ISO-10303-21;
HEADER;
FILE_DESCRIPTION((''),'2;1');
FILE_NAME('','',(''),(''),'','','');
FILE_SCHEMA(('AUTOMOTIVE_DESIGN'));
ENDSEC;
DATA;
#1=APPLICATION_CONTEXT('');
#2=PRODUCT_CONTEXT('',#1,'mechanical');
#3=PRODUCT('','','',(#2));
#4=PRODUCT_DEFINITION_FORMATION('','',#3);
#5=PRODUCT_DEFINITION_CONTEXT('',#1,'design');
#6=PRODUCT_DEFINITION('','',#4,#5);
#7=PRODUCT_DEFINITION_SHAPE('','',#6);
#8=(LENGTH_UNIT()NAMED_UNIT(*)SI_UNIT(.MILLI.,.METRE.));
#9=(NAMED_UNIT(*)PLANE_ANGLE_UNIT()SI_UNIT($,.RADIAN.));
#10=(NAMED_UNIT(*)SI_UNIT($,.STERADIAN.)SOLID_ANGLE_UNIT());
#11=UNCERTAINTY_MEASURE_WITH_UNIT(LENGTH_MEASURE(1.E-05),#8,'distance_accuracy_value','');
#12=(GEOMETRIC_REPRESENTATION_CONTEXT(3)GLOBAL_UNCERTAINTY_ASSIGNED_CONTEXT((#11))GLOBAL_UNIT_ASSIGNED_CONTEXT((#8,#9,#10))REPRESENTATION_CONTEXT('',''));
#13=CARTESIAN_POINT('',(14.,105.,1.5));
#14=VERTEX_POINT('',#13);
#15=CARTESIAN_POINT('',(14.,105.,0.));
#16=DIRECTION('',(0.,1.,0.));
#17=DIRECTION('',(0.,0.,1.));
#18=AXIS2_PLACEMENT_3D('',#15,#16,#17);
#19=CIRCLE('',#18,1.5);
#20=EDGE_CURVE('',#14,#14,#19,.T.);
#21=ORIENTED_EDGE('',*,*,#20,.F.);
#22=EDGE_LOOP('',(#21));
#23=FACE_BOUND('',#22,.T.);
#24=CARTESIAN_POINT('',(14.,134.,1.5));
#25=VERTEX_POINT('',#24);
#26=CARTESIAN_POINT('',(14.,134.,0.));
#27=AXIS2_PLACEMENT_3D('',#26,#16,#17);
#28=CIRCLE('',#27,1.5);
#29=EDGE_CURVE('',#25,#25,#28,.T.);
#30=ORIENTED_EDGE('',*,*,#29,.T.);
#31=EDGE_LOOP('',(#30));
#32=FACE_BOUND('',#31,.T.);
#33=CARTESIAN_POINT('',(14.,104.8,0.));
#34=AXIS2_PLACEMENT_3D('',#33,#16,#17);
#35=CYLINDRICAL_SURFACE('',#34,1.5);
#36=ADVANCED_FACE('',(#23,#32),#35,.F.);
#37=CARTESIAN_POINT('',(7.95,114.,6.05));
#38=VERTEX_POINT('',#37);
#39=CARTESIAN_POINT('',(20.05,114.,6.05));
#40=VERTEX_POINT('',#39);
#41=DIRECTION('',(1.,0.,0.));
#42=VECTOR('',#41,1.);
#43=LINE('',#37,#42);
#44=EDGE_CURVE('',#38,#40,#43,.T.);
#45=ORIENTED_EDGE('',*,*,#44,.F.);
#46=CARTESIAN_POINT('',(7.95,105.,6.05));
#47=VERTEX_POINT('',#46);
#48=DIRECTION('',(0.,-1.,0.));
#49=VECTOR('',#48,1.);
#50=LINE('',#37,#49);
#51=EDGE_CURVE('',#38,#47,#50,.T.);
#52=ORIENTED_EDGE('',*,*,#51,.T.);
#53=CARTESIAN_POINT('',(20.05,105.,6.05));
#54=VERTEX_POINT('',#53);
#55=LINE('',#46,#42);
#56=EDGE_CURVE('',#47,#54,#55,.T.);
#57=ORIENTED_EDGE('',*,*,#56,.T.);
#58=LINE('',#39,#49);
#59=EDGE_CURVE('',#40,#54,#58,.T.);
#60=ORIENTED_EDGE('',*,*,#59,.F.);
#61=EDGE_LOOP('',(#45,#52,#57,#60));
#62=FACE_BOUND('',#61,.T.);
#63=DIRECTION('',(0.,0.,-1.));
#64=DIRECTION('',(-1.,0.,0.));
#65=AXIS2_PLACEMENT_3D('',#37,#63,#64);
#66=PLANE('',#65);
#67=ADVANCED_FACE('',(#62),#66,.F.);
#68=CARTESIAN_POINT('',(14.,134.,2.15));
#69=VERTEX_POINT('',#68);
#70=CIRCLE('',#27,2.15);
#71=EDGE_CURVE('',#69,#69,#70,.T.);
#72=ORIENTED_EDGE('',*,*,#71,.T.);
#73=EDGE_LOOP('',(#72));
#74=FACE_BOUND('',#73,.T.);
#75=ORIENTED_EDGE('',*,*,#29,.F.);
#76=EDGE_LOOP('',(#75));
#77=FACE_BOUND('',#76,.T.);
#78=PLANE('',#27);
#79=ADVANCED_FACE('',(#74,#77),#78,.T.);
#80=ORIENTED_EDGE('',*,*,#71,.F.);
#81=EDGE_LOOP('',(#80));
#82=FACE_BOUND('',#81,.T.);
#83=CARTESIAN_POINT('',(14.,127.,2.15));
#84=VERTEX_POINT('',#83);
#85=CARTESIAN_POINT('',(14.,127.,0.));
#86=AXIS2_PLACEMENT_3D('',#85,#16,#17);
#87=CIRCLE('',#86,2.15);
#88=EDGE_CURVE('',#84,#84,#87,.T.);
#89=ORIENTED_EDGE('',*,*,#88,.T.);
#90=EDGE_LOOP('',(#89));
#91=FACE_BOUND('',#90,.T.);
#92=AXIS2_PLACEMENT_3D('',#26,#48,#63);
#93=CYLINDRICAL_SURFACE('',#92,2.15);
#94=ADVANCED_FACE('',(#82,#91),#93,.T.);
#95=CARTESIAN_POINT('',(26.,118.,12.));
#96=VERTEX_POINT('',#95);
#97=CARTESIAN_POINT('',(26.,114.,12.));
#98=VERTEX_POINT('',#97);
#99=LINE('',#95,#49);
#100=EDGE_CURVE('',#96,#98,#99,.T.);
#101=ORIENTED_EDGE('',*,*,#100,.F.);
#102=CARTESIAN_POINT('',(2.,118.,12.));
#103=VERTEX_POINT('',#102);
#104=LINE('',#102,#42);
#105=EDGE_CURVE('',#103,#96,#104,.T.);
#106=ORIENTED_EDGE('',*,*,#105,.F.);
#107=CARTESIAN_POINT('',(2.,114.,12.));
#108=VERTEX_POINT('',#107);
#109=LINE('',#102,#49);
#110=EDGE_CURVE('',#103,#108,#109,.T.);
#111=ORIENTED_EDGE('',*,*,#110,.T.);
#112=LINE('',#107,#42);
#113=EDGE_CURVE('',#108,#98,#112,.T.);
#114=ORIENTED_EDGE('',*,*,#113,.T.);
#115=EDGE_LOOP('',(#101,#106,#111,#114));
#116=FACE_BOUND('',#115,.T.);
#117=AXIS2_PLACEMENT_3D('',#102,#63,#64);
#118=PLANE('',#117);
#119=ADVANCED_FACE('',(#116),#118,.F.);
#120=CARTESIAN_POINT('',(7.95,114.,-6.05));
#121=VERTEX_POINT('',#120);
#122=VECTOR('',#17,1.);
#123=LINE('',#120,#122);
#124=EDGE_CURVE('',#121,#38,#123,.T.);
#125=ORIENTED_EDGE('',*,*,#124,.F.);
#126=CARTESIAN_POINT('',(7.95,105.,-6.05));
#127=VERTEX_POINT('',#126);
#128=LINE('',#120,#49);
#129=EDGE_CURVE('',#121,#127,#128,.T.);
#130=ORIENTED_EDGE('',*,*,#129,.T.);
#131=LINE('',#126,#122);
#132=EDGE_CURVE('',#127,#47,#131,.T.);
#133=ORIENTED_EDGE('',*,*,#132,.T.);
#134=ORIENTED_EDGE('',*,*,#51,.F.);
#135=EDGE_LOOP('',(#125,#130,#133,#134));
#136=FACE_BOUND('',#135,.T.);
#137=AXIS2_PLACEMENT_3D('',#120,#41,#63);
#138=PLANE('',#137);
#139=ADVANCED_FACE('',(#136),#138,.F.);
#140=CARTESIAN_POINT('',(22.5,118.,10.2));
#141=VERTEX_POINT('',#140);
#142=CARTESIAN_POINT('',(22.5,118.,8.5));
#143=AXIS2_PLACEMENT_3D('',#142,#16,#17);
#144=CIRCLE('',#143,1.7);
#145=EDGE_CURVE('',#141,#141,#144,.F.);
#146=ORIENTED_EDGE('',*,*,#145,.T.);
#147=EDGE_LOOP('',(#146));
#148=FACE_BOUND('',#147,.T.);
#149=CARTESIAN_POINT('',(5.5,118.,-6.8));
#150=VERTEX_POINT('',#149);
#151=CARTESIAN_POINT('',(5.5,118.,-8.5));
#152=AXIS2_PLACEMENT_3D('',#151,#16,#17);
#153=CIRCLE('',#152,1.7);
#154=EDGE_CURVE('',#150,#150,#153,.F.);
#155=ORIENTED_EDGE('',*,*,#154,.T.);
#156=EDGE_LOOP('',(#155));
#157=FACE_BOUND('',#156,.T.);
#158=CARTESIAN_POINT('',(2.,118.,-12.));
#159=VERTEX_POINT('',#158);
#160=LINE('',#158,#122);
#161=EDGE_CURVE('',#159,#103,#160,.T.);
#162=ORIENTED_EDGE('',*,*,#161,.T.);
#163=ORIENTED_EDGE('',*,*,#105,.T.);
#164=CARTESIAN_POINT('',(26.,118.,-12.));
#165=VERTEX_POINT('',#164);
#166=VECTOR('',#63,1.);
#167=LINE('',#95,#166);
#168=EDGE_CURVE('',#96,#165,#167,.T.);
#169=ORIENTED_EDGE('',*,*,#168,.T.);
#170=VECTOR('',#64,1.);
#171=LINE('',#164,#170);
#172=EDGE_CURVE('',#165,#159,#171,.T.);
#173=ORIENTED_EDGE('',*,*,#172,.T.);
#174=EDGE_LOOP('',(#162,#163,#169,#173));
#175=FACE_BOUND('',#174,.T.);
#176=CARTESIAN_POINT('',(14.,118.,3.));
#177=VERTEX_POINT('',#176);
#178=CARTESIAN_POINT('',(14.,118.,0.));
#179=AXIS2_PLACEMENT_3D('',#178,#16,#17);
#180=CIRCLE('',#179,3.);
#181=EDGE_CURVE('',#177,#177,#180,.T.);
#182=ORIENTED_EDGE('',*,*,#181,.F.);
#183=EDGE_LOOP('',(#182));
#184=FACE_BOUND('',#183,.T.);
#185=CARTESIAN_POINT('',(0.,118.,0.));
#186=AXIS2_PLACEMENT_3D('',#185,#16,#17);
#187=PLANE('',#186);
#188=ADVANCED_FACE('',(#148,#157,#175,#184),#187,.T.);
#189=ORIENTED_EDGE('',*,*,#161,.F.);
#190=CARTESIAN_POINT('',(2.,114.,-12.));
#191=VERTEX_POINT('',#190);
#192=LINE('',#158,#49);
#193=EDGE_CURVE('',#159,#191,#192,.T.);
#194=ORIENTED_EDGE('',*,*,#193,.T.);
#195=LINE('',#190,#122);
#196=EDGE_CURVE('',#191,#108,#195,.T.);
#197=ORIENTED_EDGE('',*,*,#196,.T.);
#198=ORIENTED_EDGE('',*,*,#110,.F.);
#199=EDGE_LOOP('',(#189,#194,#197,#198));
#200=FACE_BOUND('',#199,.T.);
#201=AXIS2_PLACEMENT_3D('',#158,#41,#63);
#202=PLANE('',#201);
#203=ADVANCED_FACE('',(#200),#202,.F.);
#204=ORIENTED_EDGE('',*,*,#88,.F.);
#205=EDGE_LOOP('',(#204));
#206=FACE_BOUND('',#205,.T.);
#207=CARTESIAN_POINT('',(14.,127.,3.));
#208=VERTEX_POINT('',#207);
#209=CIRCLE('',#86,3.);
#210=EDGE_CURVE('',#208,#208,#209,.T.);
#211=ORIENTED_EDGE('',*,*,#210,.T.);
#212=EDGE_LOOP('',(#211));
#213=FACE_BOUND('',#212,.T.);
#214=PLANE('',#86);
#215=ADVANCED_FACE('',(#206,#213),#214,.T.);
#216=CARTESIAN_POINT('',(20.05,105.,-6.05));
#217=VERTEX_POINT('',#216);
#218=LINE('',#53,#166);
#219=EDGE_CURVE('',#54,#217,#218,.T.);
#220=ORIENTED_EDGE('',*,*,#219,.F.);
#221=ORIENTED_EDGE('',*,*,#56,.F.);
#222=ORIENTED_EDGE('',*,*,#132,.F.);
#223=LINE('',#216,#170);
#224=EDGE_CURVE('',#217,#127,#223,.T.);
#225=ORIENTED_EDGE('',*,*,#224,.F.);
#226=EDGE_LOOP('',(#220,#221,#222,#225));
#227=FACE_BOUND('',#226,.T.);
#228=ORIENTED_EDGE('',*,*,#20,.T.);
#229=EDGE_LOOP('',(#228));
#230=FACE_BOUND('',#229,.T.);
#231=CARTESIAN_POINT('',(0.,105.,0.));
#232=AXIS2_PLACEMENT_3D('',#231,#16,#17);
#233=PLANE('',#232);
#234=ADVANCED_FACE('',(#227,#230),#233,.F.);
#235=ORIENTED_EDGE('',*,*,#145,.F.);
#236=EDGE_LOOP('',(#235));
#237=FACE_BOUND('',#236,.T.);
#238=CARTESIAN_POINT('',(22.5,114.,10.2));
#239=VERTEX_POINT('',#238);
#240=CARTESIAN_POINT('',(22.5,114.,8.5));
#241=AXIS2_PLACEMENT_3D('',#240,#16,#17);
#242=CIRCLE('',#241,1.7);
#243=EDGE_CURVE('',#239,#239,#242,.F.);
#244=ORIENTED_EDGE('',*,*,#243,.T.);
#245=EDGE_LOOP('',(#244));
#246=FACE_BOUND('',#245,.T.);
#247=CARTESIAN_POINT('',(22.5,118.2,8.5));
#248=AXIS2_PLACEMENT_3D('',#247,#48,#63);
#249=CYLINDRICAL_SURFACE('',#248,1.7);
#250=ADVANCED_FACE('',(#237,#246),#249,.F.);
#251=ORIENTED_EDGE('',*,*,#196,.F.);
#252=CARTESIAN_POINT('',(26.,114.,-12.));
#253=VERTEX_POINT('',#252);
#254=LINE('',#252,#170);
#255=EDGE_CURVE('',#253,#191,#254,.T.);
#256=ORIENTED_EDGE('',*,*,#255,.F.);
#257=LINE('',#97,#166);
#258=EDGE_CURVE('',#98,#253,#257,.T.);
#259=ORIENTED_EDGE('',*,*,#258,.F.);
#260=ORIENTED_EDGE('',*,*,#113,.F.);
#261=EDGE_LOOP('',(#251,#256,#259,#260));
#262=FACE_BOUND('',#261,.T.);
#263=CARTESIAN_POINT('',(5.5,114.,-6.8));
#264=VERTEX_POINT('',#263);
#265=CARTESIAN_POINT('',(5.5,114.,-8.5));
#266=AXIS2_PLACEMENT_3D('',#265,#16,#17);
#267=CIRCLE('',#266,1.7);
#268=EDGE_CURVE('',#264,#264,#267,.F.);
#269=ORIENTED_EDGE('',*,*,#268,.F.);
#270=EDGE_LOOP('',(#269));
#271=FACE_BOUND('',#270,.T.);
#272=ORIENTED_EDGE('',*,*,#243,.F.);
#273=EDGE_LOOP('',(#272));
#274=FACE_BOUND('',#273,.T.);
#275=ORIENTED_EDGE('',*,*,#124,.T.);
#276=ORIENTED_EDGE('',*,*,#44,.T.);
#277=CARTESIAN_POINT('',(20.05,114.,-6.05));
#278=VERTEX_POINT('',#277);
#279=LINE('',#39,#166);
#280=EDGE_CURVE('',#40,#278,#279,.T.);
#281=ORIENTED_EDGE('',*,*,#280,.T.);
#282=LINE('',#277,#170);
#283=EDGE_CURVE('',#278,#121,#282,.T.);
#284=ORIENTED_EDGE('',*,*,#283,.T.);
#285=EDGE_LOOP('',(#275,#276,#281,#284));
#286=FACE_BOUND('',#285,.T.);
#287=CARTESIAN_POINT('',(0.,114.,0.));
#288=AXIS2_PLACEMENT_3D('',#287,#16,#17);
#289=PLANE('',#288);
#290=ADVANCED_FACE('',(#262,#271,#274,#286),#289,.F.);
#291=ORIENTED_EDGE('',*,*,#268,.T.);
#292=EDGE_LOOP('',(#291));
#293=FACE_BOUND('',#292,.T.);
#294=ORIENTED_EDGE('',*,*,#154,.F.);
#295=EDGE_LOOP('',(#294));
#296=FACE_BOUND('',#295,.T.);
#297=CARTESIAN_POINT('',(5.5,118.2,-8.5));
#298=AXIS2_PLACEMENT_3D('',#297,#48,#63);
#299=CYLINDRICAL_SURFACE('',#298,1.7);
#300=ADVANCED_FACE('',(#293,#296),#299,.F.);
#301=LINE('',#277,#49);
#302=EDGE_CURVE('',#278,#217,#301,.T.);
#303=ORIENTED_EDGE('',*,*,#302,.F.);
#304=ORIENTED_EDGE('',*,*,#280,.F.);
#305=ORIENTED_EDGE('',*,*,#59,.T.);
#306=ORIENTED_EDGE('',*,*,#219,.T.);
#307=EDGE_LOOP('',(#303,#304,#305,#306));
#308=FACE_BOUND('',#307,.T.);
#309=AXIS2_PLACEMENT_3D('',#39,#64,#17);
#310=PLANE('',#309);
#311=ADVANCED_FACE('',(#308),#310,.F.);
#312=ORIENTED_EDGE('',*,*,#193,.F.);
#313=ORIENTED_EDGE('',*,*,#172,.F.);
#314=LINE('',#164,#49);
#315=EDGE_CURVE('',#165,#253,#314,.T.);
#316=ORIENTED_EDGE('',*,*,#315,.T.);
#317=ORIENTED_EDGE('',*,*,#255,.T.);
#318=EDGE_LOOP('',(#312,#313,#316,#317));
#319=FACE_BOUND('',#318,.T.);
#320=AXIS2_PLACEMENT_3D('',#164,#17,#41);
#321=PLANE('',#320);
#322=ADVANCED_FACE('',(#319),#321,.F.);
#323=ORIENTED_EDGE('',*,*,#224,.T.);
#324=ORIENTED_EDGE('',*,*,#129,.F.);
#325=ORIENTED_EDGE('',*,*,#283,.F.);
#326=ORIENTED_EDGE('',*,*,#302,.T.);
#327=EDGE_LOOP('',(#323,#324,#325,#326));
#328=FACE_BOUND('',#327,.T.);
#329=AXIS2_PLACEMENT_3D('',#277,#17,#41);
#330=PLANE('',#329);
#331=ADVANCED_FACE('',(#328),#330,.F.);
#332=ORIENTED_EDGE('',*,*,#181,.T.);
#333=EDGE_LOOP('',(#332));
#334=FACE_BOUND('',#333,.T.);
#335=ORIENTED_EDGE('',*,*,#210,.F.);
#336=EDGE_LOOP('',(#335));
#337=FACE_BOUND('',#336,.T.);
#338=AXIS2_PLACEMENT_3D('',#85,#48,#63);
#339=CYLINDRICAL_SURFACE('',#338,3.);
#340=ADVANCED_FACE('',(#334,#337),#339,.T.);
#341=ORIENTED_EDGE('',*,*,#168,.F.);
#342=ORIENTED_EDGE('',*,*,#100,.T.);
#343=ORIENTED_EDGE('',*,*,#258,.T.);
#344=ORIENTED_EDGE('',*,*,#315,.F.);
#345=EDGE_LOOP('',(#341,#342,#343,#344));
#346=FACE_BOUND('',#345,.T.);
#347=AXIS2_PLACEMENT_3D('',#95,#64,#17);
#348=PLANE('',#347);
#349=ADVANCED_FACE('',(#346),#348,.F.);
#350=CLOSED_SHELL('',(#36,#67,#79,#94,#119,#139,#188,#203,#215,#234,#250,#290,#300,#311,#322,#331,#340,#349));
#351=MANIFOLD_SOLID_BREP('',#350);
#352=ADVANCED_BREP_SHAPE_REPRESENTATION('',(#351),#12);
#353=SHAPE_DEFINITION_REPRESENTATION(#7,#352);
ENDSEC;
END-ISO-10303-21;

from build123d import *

# Parameters (mm, degrees)
SPIGOT_START          = 105
SKETCH1_W             = 12.1
SKETCH1_H             = 12.1
SPIGOT_DEPTH          = 9
FLANGE_START          = 114
SKETCH2_W             = 24
SKETCH2_H             = 24
FLANGE_DEPTH          = 4
OUTLET_BARB_START     = 118
SKETCH3_R             = 3
OUTLET_BARB_DEPTH     = 9
OUTLET_BARB_TIP_START = 127
SKETCH4_R             = 2.15
OUTLET_BARB_TIP_DEPTH = 7
OUTLET_BORE_START     = 134
SKETCH5_R             = 1.5
OUTLET_BORE_DEPTH     = 29.2
SCREW_HOLES_M3_START  = 113.8
SKETCH6_R             = 1.7
SCREW_HOLES_M3_DEPTH  = 4.4


with BuildPart() as part:
    # Sketch1 → Spigot (new body)
    with BuildSketch(Plane(origin=(0, 0, 0), x_dir=(1, 0, 0), z_dir=(0, 1, 0)).offset(SPIGOT_START)):
        with Locations((14, 0)):
            Rectangle(SKETCH1_W, SKETCH1_H)
    extrude(amount=SPIGOT_DEPTH)

    # Sketch2 → Flange (add)
    with BuildSketch(Plane(origin=(0, 0, 0), x_dir=(1, 0, 0), z_dir=(0, 1, 0)).offset(FLANGE_START)):
        with Locations((14, 0)):
            Rectangle(SKETCH2_W, SKETCH2_H)
    extrude(amount=FLANGE_DEPTH)

    # Sketch3 → Outlet_Barb (add)
    with BuildSketch(Plane(origin=(0, 0, 0), x_dir=(1, 0, 0), z_dir=(0, 1, 0)).offset(OUTLET_BARB_START)):
        with Locations(Location((14, 0, 0), (0, 0, 270))):
            Circle(SKETCH3_R)
    extrude(amount=OUTLET_BARB_DEPTH)

    # Sketch4 → Outlet_Barb_Tip (add)
    with BuildSketch(Plane(origin=(0, 0, 0), x_dir=(1, 0, 0), z_dir=(0, 1, 0)).offset(OUTLET_BARB_TIP_START)):
        with Locations(Location((14, 0, 0), (0, 0, 270))):
            Circle(SKETCH4_R)
    extrude(amount=OUTLET_BARB_TIP_DEPTH)

    # Sketch5 → Outlet_Bore (cut)
    with BuildSketch(Plane(origin=(0, 0, 0), x_dir=(1, 0, 0), z_dir=(0, 1, 0)).offset(OUTLET_BORE_START)):
        with Locations(Location((14, 0, 0), (0, 0, 270))):
            Circle(SKETCH5_R)
    extrude(amount=-OUTLET_BORE_DEPTH, mode=Mode.SUBTRACT)

    # Sketch6 → Screw_Holes_M3 (cut)
    with BuildSketch(Plane(origin=(0, 0, 0), x_dir=(1, 0, 0), z_dir=(0, 1, 0)).offset(SCREW_HOLES_M3_START)):
        with Locations(Location((5.5, 8.5, 0), (0, 0, 270))):
            Circle(SKETCH6_R)
        with Locations(Location((22.5, -8.5, 0), (0, 0, 270))):
            Circle(SKETCH6_R)
    extrude(amount=SCREW_HOLES_M3_DEPTH, mode=Mode.SUBTRACT)


solid = part.part
